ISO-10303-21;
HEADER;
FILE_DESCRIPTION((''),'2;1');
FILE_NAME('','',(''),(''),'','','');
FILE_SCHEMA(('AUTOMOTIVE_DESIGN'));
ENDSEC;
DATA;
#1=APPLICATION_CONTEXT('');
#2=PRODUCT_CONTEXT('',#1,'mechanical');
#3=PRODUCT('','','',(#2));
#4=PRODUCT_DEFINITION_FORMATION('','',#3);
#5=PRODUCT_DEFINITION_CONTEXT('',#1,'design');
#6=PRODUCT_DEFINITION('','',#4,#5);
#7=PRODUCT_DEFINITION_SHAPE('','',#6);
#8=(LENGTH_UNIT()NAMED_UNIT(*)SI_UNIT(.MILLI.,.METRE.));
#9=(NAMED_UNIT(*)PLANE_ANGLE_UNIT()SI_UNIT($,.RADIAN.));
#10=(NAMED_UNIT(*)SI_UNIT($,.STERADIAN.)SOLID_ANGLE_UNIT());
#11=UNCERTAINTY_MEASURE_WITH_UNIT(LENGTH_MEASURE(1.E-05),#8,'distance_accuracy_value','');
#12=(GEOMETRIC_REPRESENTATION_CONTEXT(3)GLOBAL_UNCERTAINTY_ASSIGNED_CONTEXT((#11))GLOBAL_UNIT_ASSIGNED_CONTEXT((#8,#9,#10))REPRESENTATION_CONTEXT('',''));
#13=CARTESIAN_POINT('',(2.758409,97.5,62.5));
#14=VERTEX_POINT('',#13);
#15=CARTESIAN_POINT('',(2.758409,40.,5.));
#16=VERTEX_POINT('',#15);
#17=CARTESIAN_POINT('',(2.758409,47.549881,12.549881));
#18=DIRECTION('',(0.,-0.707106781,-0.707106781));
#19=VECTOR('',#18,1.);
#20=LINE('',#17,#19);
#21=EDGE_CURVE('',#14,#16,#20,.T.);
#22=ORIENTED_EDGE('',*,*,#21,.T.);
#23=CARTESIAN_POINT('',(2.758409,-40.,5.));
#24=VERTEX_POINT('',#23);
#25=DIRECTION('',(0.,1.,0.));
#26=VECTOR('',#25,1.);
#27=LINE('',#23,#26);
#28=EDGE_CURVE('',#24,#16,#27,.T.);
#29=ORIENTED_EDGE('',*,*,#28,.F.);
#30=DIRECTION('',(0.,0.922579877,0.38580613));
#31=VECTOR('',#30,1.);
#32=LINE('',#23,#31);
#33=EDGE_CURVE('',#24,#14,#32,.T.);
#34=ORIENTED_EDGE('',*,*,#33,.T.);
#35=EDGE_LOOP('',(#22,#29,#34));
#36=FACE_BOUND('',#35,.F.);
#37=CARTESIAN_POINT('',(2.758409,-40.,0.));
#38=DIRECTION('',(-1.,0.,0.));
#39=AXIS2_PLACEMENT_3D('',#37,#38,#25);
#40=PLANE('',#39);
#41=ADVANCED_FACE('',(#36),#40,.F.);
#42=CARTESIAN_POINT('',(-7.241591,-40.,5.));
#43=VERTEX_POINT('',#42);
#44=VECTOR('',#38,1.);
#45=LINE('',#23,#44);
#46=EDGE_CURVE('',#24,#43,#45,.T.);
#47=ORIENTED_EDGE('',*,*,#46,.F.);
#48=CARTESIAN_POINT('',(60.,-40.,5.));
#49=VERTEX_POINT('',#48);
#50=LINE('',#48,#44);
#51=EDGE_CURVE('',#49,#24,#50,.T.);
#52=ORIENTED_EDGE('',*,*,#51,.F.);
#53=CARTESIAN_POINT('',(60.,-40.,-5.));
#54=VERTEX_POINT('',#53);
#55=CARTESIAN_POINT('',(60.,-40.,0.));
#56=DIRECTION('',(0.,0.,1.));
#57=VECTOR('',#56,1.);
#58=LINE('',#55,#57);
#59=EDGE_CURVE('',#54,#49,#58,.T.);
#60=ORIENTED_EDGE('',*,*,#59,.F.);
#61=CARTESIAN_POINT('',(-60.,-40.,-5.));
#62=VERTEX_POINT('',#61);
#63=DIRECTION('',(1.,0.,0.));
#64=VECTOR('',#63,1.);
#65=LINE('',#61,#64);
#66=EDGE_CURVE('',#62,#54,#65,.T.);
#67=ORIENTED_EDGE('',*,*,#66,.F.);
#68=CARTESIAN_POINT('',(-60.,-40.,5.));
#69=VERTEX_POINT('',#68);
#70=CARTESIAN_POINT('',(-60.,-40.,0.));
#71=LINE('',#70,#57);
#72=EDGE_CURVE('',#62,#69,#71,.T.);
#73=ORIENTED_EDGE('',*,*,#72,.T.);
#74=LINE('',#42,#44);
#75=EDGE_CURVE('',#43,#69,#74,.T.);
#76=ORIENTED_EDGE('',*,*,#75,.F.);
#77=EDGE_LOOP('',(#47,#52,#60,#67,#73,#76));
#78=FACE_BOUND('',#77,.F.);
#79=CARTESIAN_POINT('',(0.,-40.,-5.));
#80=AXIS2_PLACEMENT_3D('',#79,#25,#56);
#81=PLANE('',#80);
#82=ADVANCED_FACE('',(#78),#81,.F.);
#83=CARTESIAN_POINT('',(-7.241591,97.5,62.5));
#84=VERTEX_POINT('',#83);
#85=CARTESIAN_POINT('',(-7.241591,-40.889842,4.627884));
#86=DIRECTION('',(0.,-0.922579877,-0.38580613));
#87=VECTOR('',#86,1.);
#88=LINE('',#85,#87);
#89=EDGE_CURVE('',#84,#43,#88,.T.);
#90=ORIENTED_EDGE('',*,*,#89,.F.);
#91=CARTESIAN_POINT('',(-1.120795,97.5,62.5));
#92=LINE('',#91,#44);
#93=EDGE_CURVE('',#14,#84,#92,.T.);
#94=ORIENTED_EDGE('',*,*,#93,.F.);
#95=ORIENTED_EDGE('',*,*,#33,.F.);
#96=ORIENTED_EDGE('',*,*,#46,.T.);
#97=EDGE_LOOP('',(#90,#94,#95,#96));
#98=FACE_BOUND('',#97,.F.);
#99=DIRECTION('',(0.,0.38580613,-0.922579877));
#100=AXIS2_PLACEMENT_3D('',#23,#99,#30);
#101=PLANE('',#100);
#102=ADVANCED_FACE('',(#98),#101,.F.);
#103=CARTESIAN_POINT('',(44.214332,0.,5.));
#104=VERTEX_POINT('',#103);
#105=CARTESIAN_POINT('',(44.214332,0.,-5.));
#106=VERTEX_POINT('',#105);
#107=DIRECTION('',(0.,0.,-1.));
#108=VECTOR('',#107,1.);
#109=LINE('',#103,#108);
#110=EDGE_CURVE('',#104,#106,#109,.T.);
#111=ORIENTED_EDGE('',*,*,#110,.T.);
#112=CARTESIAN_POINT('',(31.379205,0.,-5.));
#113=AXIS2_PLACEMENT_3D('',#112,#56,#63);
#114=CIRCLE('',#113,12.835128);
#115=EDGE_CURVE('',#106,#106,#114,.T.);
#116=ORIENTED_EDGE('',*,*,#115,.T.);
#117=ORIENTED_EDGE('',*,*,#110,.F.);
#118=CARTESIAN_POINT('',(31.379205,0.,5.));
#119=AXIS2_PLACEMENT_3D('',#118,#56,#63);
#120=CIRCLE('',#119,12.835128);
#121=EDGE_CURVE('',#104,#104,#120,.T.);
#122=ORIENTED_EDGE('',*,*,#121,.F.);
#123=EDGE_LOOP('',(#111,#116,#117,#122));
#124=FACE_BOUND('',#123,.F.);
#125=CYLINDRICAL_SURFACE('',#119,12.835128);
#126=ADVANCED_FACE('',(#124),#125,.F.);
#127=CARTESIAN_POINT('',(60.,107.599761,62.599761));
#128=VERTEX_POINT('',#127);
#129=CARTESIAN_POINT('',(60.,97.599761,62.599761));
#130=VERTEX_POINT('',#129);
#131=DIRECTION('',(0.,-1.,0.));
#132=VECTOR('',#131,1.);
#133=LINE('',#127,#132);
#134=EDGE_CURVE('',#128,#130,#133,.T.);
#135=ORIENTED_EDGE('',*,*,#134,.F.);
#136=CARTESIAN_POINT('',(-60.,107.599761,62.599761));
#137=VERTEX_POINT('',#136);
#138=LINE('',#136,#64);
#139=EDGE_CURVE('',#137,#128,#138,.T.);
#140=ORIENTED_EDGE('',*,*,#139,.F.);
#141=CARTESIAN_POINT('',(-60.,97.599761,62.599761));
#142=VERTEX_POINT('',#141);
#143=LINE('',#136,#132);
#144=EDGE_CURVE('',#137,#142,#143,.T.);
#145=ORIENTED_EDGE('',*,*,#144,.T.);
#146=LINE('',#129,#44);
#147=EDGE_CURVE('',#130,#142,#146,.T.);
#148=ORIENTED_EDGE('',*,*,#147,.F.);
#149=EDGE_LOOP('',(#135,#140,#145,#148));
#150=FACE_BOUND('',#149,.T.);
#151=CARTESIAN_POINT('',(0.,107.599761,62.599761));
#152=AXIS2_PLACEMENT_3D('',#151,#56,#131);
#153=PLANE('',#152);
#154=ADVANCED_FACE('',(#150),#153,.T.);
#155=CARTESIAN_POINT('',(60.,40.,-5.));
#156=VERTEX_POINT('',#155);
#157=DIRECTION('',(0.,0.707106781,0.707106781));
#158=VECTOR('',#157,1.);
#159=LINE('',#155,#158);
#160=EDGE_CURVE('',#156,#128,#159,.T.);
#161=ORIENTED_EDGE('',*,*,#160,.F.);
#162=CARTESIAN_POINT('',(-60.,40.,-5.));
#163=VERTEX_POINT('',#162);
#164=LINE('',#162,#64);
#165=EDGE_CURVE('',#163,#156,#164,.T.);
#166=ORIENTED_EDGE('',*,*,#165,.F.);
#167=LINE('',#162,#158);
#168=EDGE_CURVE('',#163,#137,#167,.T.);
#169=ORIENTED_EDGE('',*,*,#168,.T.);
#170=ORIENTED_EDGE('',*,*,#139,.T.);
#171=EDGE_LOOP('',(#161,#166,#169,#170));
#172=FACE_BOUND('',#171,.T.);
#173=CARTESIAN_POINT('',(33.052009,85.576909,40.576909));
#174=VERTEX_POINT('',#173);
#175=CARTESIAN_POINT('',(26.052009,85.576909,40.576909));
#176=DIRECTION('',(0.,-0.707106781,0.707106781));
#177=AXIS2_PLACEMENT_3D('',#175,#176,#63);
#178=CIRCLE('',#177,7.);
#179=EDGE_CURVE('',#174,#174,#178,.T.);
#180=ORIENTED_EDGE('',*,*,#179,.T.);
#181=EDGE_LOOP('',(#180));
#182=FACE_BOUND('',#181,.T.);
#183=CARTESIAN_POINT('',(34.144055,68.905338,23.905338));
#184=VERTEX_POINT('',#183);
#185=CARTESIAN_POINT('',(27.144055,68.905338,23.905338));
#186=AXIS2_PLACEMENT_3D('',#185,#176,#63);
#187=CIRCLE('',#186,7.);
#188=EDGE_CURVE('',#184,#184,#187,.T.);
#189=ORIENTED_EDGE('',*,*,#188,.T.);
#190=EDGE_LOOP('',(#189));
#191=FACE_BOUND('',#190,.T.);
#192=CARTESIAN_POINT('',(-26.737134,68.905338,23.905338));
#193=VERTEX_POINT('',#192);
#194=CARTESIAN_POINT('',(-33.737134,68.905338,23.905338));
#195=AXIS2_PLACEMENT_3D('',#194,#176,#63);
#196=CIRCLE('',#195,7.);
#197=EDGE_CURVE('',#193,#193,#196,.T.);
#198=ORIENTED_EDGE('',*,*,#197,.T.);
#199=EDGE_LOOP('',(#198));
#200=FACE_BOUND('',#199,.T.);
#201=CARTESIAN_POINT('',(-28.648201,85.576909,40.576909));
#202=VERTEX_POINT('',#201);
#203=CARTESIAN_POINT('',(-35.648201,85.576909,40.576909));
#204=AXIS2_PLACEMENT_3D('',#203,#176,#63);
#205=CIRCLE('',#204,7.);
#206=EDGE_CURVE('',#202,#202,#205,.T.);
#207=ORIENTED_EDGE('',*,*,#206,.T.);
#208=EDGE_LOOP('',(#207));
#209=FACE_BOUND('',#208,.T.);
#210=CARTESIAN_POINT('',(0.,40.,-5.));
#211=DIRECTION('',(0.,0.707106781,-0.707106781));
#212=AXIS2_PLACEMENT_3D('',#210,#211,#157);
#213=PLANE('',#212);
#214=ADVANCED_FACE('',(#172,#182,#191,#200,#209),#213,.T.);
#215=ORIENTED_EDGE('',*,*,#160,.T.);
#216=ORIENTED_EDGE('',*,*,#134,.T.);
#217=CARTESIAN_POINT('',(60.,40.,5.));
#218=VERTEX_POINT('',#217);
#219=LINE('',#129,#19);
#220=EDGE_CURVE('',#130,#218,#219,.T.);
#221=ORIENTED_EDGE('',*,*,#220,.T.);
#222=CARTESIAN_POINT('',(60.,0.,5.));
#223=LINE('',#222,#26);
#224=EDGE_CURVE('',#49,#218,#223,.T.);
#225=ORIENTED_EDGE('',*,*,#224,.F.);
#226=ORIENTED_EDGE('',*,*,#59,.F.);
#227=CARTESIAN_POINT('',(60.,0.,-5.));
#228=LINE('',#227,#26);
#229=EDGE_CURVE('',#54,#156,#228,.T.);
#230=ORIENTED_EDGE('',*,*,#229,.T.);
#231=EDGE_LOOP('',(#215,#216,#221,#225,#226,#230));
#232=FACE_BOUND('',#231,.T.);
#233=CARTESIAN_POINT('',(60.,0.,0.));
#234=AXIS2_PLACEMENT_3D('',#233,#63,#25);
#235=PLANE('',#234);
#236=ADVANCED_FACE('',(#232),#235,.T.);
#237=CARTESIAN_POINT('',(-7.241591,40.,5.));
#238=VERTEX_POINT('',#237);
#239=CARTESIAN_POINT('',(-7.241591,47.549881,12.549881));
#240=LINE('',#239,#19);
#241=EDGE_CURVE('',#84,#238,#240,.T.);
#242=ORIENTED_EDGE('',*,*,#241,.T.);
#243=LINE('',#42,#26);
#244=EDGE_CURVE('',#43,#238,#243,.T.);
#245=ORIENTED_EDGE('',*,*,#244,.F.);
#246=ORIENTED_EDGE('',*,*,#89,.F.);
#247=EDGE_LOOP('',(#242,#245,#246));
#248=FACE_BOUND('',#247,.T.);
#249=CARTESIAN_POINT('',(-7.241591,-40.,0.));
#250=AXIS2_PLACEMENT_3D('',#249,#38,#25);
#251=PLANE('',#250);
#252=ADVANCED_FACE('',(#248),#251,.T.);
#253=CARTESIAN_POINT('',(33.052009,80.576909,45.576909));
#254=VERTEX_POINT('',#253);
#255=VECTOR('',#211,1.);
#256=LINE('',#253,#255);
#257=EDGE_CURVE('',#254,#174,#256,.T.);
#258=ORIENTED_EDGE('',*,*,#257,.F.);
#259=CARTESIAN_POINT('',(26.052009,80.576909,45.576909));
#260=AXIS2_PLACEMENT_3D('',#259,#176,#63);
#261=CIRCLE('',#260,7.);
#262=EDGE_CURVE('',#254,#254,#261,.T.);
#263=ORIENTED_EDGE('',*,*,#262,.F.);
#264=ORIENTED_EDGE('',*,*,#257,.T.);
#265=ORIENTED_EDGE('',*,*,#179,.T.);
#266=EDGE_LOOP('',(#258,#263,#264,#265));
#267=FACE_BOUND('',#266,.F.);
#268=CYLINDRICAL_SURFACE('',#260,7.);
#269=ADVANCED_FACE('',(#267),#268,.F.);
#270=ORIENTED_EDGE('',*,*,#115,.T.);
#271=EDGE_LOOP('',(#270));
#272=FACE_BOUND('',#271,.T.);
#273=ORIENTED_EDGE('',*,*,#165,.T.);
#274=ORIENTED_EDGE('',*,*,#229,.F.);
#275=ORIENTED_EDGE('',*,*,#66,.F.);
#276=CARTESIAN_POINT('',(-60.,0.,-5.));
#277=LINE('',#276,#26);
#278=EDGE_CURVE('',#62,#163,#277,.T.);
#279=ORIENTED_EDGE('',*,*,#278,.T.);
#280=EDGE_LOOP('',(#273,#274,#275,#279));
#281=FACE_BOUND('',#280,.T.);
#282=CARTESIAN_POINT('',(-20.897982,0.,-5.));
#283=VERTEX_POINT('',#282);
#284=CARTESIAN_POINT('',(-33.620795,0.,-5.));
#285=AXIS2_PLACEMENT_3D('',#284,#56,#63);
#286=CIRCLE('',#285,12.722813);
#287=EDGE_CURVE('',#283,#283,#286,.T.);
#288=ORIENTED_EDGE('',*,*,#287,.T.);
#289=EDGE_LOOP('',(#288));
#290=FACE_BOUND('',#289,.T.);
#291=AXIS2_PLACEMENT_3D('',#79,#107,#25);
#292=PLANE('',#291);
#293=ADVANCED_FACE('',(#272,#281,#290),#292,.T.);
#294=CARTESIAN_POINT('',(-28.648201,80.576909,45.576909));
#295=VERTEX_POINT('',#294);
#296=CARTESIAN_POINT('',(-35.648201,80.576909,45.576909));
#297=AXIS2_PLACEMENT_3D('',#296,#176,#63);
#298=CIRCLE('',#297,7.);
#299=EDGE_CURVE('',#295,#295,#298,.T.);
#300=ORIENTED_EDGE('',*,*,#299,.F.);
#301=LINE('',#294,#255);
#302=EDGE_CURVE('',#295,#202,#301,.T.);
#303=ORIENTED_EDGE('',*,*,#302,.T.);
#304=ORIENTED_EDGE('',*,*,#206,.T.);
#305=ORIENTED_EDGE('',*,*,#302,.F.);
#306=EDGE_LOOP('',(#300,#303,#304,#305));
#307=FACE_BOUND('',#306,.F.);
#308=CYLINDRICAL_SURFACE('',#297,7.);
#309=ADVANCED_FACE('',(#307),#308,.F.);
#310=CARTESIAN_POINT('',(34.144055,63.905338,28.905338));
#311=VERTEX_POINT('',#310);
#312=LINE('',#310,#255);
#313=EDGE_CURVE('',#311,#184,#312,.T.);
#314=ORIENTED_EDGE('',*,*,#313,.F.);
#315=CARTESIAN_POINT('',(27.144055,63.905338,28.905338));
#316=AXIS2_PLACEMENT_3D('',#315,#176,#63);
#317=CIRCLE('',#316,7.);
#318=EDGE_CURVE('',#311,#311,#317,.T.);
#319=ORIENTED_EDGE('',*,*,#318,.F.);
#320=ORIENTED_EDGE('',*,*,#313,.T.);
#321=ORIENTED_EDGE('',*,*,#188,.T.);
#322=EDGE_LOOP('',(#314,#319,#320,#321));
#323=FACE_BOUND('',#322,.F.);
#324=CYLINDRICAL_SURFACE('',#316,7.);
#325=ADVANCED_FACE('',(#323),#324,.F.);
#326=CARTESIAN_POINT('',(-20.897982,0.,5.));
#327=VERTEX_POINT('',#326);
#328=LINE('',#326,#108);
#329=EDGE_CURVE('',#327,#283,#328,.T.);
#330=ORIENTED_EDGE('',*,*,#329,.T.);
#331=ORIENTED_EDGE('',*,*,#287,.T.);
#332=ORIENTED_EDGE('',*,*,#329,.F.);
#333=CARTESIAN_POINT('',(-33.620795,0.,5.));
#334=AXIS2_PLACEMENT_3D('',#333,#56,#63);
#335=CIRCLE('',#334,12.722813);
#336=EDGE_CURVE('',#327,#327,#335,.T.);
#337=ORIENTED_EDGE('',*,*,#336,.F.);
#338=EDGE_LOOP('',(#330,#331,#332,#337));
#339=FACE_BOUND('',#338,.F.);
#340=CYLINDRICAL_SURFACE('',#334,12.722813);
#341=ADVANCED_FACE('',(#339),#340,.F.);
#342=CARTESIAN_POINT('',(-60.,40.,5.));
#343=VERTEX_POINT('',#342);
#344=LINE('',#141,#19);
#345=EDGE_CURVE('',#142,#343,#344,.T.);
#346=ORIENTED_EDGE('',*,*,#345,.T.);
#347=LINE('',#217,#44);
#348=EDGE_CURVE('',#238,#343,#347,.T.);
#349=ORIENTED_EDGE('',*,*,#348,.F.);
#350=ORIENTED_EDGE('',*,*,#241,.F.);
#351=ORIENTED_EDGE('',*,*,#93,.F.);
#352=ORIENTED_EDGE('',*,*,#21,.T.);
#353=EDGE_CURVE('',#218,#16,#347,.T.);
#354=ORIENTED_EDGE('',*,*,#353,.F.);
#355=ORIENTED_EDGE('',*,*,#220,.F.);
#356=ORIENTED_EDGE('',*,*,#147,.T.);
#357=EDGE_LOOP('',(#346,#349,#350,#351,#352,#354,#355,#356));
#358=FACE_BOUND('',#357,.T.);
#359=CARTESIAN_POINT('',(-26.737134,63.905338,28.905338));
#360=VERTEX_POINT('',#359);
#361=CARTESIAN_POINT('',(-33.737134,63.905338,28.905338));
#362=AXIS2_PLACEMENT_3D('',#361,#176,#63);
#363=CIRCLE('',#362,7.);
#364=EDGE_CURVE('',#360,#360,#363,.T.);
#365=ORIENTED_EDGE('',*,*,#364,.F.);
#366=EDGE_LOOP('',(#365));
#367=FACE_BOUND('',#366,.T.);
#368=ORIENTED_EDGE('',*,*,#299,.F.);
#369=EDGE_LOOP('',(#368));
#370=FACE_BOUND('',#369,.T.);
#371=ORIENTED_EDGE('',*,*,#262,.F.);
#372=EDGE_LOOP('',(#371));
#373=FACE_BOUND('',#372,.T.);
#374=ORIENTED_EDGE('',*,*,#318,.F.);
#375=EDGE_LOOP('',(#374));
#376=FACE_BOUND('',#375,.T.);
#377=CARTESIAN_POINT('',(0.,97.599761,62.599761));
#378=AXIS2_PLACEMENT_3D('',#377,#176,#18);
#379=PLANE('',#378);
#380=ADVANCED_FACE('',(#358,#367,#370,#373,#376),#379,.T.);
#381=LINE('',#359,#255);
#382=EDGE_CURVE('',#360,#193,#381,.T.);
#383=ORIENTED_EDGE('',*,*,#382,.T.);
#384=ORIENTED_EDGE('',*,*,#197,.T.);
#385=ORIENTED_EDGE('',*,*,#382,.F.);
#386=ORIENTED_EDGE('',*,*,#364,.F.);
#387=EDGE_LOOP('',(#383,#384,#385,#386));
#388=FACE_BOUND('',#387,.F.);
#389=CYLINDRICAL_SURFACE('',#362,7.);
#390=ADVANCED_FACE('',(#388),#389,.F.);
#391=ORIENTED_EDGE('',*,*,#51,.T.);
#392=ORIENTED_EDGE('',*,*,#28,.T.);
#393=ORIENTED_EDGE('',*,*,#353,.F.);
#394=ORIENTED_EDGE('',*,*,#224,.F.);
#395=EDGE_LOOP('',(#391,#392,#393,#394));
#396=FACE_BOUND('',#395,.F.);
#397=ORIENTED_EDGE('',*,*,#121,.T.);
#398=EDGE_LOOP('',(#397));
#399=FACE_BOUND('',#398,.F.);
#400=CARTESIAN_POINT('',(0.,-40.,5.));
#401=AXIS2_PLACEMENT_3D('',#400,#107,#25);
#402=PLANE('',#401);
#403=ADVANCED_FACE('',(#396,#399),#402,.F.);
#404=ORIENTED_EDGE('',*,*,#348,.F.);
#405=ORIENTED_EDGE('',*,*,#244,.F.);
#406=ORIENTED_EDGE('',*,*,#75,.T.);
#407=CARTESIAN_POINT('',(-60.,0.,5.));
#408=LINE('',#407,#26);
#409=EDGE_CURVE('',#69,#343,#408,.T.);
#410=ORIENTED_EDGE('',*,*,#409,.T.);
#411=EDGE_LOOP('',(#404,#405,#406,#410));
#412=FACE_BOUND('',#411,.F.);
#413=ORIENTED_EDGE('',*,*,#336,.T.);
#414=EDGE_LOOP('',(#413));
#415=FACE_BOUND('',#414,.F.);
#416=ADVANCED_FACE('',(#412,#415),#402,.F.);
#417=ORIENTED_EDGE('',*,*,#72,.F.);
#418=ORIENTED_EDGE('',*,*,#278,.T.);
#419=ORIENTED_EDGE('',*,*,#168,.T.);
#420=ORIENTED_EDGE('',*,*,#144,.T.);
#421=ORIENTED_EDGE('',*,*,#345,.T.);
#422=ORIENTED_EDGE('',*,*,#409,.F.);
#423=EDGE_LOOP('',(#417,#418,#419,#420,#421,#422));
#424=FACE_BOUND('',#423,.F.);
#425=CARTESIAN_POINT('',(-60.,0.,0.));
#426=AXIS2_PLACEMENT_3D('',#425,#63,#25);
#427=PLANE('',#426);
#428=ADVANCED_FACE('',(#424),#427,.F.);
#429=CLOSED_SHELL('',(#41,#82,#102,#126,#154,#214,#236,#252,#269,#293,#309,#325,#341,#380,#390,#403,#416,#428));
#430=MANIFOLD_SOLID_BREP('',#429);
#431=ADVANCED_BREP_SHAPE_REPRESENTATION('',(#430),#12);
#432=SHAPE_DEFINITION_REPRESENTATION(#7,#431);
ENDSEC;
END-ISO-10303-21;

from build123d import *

# Parameters (mm, degrees)
F0_W      = 80
F0_H      = 10
F1_DEPTH  = 60
F2_W      = 10
F2_H      = 137.5997612298
F3_DEPTH  = 62.5
F5_DEPTH  = 25
F7_DEPTH  = 25
F8_R      = 7
F9_DEPTH  = 54.8723173841
F10_R     = 12.8351278785
F11_DEPTH = 10.001
F12_R     = 12.7228131032
F13_DEPTH = 10.001


with BuildPart() as f1:
    # F0 (on Right) → F1 (new body, symmetric)
    with BuildSketch(Plane.YZ):
        Rectangle(F0_W, F0_H)
        Polygon((40, 5), (40, -5), (107.5997612298, 62.5997612298), (97.5997612298, 62.5997612298), align=None)
    extrude(amount=F1_DEPTH, both=True)

    # F2 (on Top) → F3 (join)
    with BuildSketch(Plane.XY):
        with Locations((-2.2415908799, 28.7998806149)):
            Rectangle(F2_W, F2_H)
    extrude(amount=F3_DEPTH)

    # F4 (on face) → F5 (cut)
    with BuildSketch(Plane.YZ.offset(2.7584091201)):
        Polygon((-40, 62.5), (-40, 5), (97.5, 62.5), align=None)
    extrude(amount=-F5_DEPTH, mode=Mode.SUBTRACT)

    # F6 (on face) → F7 (cut)
    with BuildSketch(Plane.YZ.offset(2.7584091201)):
        Polygon((97.5997612298, 52.5997612298), (45, 0), (97.5997612298, 0), align=None)
    extrude(amount=-F7_DEPTH, mode=Mode.SUBTRACT)

    # F8 (on face) → F9 (cut, through all)
    with BuildSketch(Plane(origin=(0, 17.5, -17.5), x_dir=(1, 0, 0), z_dir=(0, -0.7071067812, 0.7071067812))):
        with Locations((26.0520085543, 89.2042198464)):
            Circle(F8_R)
        with Locations((27.1440549599, 65.627058422)):
            Circle(F8_R)
        with Locations((-35.6482013747, 89.2042198464)):
            Circle(F8_R)
        with Locations((-33.7371340773, 65.627058422)):
            Circle(F8_R)
    extrude(amount=-F9_DEPTH, mode=Mode.SUBTRACT)

    # F10 (on face) → F11 (cut, through all)
    with BuildSketch(Plane.XY.offset(5)):
        with Locations((31.3792045601, 0)):
            Circle(F10_R)
    extrude(amount=-F11_DEPTH, mode=Mode.SUBTRACT)

    # F12 (on face) → F13 (cut, through all)
    with BuildSketch(Plane.XY.offset(5)):
        with Locations((-33.6207954399, 0)):
            Circle(F12_R)
    extrude(amount=-F13_DEPTH, mode=Mode.SUBTRACT)


solid = f1.part
